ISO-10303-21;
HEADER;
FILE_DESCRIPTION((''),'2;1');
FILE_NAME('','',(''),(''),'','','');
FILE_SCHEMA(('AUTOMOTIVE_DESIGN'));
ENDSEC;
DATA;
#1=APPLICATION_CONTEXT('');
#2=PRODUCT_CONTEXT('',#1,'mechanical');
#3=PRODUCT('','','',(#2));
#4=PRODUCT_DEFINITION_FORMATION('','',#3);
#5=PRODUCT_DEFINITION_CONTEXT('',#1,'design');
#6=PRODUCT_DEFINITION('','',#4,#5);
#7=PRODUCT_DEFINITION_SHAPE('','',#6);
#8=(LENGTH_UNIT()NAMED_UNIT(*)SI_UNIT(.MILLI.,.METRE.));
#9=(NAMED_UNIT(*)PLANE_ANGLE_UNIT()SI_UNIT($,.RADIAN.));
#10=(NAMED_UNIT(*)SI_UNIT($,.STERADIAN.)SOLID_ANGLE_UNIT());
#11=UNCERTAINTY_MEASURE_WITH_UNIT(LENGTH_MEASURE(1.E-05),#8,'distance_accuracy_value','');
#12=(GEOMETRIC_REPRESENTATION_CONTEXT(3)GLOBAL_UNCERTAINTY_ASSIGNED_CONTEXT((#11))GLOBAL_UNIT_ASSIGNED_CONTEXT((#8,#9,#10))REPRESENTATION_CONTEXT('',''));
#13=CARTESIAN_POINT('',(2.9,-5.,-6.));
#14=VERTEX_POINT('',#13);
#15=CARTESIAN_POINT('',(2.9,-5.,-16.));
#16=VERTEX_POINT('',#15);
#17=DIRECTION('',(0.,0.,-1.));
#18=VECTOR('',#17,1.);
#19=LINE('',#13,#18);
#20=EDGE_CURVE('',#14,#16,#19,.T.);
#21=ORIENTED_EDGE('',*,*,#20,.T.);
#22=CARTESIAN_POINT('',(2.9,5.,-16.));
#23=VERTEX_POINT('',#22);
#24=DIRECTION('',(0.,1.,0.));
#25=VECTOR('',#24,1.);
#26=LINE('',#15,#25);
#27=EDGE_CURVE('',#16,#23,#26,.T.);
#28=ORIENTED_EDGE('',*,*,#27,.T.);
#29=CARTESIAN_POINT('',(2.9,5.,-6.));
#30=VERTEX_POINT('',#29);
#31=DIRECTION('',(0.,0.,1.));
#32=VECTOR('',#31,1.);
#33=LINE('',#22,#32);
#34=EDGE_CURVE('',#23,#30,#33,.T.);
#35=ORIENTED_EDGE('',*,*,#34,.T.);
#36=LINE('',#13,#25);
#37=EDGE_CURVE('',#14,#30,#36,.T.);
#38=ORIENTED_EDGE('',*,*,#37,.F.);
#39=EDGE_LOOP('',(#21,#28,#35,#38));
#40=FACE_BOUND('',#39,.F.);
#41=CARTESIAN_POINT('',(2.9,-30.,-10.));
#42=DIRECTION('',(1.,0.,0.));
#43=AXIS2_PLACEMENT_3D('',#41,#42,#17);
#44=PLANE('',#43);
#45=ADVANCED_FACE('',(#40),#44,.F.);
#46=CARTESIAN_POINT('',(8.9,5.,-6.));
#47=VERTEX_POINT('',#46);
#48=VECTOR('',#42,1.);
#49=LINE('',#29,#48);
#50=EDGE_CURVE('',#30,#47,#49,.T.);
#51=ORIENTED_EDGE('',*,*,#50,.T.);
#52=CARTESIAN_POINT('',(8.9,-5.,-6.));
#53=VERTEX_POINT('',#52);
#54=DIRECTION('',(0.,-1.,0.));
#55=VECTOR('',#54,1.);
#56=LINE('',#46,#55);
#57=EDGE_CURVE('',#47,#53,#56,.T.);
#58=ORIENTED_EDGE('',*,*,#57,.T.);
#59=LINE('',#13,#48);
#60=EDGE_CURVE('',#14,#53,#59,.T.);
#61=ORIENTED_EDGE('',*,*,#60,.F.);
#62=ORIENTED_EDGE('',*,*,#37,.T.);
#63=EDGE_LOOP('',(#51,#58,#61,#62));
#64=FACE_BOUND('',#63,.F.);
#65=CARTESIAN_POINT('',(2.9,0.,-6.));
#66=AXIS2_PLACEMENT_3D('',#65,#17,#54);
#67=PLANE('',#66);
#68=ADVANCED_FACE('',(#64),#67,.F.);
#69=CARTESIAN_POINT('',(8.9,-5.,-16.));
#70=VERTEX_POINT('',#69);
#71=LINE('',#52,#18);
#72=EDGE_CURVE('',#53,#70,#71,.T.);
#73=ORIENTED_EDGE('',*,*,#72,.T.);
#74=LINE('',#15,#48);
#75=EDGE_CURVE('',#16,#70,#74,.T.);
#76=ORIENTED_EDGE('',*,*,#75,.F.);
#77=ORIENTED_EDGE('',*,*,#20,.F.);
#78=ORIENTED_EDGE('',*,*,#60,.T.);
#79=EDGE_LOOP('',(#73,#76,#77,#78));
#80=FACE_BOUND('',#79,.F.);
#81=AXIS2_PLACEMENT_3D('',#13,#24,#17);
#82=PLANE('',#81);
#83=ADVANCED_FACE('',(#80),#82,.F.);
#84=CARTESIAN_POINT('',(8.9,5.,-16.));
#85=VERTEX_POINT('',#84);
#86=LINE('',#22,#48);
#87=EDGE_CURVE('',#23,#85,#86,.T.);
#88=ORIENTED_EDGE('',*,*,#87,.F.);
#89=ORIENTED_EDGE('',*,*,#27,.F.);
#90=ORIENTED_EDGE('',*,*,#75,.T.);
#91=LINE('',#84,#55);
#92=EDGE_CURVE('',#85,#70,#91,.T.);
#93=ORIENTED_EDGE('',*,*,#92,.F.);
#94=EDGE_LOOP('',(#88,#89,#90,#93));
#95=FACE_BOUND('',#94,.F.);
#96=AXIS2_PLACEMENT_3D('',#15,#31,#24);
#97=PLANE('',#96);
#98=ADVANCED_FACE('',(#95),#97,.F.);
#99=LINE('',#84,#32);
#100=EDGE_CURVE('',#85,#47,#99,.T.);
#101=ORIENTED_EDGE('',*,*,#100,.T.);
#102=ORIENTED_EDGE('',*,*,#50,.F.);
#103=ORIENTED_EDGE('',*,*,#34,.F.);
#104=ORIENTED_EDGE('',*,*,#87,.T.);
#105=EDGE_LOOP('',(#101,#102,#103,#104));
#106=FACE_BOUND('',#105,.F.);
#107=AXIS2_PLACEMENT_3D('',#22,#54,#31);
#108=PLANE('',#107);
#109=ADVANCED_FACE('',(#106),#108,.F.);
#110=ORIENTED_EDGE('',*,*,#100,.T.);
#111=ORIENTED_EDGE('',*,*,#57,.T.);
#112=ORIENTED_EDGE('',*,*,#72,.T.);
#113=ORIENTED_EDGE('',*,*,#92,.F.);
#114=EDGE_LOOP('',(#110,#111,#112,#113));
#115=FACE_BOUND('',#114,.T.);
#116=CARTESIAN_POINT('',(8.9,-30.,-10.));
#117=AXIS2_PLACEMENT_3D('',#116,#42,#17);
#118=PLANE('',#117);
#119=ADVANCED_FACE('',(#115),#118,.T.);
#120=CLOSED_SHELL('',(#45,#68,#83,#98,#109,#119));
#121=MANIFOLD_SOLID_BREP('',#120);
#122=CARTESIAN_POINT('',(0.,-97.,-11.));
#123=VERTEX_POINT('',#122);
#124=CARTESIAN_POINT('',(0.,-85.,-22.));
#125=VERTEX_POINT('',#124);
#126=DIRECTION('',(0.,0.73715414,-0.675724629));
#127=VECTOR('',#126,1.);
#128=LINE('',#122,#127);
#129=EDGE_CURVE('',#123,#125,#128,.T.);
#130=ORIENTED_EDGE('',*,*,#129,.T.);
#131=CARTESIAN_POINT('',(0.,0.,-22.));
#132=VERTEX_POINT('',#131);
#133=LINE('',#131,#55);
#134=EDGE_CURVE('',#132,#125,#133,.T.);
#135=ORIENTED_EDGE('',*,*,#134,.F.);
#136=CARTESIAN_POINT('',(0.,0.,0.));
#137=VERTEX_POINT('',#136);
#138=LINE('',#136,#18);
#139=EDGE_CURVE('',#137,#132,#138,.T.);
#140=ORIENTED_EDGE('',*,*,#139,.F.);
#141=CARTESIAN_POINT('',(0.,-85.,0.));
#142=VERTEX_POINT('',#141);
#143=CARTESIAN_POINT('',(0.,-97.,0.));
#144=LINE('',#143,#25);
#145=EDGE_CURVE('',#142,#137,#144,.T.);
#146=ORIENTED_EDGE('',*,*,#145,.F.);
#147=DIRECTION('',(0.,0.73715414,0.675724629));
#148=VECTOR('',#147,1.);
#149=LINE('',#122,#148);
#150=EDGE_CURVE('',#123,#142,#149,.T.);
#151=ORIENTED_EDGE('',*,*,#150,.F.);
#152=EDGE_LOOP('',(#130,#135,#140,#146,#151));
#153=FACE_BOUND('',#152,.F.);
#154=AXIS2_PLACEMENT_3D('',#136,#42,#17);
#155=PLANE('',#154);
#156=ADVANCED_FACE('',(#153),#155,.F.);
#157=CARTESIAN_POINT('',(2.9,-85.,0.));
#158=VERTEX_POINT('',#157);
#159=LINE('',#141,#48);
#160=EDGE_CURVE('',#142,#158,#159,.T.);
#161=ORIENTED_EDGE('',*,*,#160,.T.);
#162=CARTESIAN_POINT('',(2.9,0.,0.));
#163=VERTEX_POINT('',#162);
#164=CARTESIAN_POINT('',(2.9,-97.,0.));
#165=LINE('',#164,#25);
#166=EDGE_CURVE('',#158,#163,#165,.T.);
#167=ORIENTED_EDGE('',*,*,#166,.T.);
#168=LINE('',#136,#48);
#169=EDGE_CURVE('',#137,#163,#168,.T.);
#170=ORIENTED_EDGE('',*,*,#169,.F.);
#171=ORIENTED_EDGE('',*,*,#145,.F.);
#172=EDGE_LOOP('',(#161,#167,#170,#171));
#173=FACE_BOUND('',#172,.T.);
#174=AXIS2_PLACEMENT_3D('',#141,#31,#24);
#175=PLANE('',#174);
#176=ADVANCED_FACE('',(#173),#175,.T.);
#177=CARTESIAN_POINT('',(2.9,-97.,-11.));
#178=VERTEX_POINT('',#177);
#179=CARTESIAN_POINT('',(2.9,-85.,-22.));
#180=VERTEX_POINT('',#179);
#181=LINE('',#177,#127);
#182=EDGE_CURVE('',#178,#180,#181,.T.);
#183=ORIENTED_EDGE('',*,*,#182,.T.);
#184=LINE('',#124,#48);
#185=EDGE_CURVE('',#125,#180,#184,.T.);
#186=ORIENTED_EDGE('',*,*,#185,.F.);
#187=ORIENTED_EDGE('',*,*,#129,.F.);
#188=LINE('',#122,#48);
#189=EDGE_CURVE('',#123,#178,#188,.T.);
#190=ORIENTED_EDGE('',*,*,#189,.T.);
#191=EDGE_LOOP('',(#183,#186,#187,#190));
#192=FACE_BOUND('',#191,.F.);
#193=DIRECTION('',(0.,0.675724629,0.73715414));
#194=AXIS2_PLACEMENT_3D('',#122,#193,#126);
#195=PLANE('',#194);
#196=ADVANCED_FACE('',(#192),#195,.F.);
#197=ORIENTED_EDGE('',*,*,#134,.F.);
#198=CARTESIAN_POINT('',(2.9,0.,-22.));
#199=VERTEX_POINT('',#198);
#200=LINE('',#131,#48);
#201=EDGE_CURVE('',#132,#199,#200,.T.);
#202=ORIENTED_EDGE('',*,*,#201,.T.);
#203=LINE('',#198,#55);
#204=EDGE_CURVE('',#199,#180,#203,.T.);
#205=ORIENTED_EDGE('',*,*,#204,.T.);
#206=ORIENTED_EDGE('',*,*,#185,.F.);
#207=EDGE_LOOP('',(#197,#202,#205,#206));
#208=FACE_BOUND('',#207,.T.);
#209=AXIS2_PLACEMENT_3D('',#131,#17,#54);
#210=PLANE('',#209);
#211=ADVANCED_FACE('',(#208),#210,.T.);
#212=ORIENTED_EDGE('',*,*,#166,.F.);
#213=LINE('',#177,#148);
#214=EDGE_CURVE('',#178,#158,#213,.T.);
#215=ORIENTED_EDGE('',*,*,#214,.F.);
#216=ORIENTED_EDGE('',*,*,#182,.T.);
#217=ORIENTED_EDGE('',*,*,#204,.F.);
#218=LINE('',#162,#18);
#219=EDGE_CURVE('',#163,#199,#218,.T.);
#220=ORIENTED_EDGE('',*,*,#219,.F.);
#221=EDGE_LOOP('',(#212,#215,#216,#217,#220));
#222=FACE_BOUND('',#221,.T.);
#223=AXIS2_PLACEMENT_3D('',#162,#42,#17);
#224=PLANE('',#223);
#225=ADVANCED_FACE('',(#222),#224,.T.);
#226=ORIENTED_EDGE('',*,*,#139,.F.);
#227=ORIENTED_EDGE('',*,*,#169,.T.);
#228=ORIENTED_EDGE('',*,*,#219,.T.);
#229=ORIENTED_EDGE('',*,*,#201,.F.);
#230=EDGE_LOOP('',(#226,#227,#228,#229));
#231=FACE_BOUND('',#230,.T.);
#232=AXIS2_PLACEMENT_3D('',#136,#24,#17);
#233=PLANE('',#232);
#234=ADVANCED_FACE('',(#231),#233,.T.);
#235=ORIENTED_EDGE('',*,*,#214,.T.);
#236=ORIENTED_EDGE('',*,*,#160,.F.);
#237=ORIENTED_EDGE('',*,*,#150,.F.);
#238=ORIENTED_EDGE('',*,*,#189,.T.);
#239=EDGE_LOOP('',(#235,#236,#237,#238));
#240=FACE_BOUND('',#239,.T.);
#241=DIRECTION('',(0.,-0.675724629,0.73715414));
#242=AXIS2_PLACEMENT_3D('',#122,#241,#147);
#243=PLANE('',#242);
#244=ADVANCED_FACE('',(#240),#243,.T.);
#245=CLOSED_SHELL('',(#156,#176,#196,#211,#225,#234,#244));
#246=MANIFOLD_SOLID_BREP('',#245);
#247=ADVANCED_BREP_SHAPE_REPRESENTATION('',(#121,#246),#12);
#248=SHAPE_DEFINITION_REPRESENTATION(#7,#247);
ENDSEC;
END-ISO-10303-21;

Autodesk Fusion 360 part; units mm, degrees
sketch "Sketch1" plane through (0, 0, 0) normal (1, 0, 0) x (0, 0, -1)
  line L0 (0, 0) -> (22, 0)
  line L1 (22, 0) -> (22, -97)
  line L2 (22, -97) -> (0, -97)
  line L3 (0, -97) -> (0, 0)
  line L4 (14, -97) -> (8, -97)
  line L5 (11, 0) -> (11, -97) construction
  line L6 (11, -97) -> (0, -85)
  line L7 (11, -97) -> (22, -85)
  point P0 (11, -97)
  dimension "d46" = 97
  dimension "d47" = 22
  dimension "d2" = 12
extrude "Extrude1" add sketch "Sketch1" along normal blind 2.9 contours L0 L1 L3 L6 L7 makes body 1
ref_plane "WorkPlane1" through (2.9, -48.5, -11) normal (1, 0, 0) x (0, 0, -1)
sketch "Sketch2" plane through (2.9, -30, -10) normal (1, 0, 0) x (0, 0, -1)
  line L0 (12, 30) -> (-10, 30)
  line L1 (1, -67) -> (1, 30) construction
  line L2 (6, 35) -> (-4, 35)
  line L3 (-4, 35) -> (-4, 25)
  line L4 (-4, 25) -> (6, 25)
  line L5 (6, 25) -> (6, 35)
  line L6 (6, 35) -> (-4, 25) construction
  line L7 (-4, 35) -> (6, 25) construction
  point P0 (1, -67)
  point P1 (1, 30)
  dimension "d4" = 10
  dimension "d5" = 10
extrude "Extrude2" add sketch "Sketch2" along normal blind 6 separate body makes body 2
sketch "Sketch6" plane through (0, 0, 0) normal (0, 1, 0) x (-1, 0, 0)
  line L0 (0, -22) -> (0, 0)
  line L1 (0, 0) -> (-2.9, 0)
  line L2 (-2.9, 0) -> (-2.9, -22)
  line L3 (-2.9, -22) -> (0, -22)
  line L4 (-1.2, 0.5) -> (0, 0.5)
  line L5 (0, 0.5) -> (0, -22.5)
  line L6 (0, -22.5) -> (-1.2, -22.5)
  line L7 (-1.2, -22.5) -> (-1.2, 0.5)
  dimension "d6" = 0.5
  dimension "d7" = 0.5
